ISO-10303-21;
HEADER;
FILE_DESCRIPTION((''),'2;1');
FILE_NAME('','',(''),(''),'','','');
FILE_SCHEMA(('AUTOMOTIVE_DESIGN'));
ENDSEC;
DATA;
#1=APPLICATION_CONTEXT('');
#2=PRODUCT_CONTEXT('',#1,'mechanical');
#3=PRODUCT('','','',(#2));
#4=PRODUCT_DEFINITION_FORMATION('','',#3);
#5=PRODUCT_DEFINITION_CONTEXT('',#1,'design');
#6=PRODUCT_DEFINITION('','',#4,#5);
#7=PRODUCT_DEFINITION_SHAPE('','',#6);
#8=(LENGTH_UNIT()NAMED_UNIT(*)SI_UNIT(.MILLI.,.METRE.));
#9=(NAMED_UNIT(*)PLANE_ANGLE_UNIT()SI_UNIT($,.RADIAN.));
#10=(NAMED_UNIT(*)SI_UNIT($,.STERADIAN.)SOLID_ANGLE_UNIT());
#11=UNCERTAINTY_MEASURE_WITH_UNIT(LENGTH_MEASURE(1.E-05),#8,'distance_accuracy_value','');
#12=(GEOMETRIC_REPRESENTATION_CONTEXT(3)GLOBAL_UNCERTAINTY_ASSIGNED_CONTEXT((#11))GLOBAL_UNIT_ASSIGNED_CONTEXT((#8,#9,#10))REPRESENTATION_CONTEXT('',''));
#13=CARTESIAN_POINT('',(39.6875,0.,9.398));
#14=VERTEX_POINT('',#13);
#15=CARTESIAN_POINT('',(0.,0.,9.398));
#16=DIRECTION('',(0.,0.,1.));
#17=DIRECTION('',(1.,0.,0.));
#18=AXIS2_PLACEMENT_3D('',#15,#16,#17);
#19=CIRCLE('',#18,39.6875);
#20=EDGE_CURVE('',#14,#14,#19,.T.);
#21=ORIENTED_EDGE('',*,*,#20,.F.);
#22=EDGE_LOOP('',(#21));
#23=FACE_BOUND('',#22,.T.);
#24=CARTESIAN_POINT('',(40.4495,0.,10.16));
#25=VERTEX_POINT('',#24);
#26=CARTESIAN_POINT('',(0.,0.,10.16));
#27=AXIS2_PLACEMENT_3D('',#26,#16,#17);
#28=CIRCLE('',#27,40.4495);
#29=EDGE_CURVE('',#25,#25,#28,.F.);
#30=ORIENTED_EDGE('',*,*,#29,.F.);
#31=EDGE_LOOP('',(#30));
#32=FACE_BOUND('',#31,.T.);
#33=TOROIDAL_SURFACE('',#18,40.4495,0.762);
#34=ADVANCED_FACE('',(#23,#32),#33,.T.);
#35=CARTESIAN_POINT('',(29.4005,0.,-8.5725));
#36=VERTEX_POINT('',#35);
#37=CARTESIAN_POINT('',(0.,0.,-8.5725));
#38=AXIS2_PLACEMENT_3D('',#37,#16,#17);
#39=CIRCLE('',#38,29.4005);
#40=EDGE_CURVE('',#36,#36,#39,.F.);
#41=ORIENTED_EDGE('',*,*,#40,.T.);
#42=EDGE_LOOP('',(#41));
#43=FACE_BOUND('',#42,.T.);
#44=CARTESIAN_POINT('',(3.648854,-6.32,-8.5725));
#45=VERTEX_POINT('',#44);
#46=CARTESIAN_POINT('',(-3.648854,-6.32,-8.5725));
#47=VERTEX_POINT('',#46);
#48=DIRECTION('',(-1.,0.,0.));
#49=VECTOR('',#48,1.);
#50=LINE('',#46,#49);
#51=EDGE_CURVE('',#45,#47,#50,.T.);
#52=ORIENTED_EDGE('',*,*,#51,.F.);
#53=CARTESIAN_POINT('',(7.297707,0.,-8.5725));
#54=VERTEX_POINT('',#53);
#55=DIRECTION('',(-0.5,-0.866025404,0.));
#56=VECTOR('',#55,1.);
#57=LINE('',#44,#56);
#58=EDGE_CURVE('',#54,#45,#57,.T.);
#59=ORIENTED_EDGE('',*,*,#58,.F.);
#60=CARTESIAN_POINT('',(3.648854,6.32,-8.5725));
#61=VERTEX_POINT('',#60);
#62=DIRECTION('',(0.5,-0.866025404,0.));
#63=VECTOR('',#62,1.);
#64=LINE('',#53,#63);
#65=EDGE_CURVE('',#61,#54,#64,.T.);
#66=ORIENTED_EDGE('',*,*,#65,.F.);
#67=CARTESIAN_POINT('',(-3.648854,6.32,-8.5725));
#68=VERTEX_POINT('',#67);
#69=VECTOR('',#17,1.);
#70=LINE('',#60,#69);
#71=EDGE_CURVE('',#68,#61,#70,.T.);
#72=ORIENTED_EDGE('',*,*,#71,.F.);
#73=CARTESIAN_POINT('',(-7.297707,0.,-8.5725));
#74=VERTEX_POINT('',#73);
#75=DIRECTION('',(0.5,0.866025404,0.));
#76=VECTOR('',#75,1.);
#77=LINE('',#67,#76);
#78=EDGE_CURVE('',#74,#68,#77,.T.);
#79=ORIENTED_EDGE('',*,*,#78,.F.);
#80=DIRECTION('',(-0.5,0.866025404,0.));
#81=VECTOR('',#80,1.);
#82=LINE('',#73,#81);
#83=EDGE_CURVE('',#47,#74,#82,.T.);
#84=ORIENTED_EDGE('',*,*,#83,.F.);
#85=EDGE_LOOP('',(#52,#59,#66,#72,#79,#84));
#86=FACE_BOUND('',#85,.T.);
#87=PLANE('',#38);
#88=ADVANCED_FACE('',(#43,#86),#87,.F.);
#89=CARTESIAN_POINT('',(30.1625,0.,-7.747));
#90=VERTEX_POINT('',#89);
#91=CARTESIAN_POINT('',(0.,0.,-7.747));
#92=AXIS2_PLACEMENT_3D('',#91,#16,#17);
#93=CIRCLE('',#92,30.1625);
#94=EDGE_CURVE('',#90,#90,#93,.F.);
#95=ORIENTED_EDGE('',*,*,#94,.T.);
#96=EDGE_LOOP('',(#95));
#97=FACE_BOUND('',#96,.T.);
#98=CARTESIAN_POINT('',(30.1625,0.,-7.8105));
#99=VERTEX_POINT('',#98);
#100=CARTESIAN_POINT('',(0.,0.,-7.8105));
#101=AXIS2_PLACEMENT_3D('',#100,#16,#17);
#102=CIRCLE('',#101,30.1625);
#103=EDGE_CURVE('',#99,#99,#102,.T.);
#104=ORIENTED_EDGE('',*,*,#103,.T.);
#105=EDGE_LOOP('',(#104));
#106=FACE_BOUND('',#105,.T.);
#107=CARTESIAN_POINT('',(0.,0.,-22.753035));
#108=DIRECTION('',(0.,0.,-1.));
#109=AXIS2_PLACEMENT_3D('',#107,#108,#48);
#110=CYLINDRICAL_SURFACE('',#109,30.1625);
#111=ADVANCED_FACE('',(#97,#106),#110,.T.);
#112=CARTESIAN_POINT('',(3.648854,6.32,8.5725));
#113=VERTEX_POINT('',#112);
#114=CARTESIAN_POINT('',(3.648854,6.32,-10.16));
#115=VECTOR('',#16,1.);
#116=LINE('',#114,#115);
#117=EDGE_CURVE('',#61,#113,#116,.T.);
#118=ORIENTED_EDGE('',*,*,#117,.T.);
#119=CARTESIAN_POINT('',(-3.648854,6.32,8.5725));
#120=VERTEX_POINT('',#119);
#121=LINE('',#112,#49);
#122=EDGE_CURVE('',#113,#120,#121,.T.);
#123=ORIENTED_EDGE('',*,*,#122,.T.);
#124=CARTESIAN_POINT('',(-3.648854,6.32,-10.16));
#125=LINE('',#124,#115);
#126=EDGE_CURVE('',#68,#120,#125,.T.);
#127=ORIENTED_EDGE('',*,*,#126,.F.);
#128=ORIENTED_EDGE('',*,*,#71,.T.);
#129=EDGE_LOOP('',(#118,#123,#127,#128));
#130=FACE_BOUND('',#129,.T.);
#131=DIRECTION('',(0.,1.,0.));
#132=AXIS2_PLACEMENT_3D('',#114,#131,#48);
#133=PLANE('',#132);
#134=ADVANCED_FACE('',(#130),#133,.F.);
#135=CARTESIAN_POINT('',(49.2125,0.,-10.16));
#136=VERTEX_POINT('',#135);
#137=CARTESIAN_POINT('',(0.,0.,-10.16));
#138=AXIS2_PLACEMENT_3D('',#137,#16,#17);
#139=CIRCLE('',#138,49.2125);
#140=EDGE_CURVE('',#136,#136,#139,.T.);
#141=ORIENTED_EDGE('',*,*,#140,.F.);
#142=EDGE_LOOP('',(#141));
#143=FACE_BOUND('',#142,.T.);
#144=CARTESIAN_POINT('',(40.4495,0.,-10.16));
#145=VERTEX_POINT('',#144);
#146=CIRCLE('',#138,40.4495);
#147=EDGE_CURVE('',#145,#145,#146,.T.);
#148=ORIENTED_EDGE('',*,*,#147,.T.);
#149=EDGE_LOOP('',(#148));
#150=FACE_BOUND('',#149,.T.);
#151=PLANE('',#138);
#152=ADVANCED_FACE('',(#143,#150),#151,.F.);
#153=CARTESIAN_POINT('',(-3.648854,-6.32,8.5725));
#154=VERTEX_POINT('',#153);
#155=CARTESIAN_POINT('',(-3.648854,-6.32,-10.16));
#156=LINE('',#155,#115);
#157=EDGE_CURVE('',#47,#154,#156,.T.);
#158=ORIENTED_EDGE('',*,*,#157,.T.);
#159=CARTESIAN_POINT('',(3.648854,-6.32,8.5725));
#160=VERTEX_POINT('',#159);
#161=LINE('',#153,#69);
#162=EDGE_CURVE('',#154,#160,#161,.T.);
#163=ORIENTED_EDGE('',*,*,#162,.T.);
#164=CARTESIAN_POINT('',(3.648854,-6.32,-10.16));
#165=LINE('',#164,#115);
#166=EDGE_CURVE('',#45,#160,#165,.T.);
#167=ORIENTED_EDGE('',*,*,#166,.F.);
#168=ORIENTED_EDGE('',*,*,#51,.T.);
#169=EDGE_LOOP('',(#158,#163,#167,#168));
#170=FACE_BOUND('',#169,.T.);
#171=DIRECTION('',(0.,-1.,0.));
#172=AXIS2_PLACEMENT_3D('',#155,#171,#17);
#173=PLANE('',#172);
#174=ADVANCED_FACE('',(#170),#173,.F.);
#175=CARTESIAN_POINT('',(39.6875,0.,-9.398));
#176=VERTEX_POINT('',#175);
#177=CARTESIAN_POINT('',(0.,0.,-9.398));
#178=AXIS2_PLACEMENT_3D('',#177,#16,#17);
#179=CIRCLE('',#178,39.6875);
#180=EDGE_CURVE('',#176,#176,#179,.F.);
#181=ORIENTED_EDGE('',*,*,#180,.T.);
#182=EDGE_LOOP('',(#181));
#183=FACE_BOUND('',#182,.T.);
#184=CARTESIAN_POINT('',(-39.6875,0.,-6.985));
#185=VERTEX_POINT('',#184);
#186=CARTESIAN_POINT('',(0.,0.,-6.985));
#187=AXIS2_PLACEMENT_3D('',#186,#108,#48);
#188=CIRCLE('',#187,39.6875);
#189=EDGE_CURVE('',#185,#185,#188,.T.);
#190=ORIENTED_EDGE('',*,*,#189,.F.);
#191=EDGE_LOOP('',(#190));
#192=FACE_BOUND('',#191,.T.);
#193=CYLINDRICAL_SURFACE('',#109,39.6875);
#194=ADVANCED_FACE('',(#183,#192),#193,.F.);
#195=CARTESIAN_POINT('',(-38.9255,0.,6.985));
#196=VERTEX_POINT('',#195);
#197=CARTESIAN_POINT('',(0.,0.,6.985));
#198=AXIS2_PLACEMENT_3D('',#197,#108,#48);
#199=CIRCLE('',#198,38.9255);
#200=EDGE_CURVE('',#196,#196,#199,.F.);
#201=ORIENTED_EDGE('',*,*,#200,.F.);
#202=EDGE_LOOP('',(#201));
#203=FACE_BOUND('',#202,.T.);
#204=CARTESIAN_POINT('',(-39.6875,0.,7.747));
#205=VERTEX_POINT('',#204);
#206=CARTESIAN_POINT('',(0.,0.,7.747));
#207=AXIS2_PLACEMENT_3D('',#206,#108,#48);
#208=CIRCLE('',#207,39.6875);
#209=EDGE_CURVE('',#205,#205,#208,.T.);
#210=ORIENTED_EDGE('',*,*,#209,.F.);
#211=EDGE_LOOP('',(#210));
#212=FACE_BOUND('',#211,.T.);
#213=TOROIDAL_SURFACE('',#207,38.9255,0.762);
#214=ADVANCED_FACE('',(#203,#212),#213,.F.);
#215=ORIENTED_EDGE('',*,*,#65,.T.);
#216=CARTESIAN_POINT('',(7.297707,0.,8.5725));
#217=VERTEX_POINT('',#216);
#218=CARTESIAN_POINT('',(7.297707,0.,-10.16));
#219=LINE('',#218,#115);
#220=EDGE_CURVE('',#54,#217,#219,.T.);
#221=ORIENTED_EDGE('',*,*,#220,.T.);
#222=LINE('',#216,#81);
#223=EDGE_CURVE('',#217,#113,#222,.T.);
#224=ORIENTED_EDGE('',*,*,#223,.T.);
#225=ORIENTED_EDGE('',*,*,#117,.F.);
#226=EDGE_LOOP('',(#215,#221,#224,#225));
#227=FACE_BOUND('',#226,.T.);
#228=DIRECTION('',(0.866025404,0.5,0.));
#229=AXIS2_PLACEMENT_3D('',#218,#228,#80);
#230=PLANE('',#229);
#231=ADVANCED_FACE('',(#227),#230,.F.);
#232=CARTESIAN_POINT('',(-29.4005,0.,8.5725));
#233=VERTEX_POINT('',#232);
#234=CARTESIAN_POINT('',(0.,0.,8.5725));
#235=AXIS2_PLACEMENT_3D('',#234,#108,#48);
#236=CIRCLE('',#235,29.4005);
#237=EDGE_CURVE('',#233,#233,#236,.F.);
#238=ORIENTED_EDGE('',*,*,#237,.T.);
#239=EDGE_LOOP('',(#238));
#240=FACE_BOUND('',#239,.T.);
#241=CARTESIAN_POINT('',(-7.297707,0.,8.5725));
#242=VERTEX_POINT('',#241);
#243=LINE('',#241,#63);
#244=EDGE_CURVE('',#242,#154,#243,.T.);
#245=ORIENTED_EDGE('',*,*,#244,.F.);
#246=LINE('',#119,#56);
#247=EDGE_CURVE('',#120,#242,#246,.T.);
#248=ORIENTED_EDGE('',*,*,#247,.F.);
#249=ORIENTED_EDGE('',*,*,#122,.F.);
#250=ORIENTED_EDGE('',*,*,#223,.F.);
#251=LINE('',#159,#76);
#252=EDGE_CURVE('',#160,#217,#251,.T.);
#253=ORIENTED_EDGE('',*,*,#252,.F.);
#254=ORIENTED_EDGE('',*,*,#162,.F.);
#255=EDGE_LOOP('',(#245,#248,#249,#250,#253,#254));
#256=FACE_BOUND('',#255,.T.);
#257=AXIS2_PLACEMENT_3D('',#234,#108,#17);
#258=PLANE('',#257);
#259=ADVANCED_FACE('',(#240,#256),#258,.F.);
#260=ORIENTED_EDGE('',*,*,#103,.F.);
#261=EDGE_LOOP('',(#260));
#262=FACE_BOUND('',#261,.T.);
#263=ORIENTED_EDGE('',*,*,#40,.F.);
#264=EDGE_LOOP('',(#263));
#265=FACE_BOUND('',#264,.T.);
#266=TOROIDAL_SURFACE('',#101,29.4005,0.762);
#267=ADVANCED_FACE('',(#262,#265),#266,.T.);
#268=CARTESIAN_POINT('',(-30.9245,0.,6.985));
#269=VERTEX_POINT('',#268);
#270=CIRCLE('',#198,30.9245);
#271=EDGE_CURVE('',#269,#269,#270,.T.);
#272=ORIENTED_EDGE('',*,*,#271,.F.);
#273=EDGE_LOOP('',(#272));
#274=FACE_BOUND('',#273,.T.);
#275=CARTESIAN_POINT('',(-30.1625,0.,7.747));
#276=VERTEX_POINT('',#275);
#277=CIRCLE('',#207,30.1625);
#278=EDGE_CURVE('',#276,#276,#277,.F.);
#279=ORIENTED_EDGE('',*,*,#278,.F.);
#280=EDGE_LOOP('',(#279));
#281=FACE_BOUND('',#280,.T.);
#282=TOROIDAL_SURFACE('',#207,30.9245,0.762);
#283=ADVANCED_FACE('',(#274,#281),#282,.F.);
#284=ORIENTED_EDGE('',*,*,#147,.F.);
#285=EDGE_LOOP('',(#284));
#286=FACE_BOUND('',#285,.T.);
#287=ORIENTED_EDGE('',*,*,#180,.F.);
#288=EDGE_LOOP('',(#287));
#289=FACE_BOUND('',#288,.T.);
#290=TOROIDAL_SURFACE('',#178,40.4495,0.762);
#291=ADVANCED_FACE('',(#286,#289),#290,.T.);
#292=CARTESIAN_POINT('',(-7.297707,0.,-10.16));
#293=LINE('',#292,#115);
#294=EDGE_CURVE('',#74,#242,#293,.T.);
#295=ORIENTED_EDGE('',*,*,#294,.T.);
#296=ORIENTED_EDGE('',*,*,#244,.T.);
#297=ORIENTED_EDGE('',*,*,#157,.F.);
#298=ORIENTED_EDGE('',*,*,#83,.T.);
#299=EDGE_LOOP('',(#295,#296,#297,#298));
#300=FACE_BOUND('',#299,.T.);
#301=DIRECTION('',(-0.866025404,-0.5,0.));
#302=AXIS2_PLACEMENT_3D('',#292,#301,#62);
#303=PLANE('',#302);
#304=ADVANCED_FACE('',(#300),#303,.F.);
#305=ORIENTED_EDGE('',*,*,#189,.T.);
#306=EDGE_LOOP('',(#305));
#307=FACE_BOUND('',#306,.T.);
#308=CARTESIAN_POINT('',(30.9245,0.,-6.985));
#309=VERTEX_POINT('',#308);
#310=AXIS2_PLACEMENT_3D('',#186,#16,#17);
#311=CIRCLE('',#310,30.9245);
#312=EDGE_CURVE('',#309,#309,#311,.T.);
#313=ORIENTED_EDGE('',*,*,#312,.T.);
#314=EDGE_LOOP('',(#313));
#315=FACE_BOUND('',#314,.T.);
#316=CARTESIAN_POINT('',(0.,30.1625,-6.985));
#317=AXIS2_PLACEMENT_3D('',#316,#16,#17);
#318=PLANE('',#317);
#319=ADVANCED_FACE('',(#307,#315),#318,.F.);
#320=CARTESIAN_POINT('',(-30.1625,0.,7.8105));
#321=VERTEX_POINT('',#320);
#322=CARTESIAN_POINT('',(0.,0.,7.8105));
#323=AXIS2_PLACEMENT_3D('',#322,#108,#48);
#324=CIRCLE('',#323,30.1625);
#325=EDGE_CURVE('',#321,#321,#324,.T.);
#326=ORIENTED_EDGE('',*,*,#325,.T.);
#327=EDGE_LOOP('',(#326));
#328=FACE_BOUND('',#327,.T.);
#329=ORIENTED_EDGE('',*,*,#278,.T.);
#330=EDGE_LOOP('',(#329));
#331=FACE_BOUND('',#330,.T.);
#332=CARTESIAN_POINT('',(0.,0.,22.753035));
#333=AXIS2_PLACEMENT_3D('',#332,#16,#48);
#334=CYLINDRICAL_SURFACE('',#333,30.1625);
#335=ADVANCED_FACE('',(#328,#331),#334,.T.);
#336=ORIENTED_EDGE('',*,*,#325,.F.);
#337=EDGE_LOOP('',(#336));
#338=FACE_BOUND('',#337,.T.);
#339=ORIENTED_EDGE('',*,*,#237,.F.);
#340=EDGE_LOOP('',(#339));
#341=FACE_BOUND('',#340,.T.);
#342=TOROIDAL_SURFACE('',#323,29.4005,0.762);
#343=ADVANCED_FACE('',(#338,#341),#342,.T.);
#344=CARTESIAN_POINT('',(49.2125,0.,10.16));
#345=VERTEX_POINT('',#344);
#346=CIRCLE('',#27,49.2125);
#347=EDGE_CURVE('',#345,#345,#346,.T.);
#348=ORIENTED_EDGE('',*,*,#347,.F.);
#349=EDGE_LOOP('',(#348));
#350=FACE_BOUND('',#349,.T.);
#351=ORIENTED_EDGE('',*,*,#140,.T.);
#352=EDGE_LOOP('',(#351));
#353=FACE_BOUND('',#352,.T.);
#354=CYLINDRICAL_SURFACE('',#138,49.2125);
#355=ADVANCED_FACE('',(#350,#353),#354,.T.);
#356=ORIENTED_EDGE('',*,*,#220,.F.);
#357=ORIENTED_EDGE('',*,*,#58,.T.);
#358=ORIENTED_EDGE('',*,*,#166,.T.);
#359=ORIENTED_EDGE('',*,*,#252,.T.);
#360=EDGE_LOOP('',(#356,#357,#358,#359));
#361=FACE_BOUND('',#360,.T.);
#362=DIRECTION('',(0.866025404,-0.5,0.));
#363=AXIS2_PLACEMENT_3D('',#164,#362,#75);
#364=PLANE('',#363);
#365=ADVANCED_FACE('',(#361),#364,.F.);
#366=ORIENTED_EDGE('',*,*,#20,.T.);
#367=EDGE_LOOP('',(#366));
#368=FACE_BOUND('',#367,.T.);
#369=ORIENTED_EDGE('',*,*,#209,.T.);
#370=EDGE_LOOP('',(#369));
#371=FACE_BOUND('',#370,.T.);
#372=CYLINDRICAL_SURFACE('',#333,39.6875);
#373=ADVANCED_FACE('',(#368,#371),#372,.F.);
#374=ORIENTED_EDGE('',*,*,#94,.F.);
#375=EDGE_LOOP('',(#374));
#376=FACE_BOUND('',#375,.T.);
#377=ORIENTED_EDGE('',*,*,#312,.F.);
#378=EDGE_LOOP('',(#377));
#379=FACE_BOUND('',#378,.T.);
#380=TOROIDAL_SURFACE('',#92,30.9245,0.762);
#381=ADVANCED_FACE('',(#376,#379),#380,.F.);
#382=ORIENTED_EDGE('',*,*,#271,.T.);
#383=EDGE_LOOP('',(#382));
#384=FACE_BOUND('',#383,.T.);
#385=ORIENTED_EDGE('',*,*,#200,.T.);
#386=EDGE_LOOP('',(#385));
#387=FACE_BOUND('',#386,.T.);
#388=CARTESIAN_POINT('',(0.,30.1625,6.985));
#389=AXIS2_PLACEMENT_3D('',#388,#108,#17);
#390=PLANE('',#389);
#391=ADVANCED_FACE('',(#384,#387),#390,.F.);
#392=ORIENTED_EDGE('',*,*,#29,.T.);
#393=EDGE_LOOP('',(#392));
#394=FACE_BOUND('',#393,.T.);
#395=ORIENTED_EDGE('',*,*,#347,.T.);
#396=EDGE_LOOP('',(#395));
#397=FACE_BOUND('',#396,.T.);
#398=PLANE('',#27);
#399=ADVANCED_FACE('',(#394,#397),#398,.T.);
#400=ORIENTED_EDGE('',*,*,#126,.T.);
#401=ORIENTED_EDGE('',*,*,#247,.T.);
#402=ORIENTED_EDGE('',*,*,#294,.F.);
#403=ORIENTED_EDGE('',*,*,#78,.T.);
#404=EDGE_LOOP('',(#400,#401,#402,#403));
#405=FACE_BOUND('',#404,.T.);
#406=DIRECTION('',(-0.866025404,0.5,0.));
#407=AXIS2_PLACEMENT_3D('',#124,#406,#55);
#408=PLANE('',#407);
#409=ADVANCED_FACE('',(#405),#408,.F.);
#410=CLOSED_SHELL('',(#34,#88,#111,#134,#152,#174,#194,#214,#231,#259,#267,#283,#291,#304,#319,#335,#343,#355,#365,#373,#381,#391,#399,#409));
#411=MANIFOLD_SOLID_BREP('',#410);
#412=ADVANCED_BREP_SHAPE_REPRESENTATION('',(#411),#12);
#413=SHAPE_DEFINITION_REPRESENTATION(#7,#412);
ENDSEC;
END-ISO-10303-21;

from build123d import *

# Parameters (mm, degrees)
BOSS_EXTRUDE1_DEPTH      = 10.16
BOSS_EXTRUDE1_DEPTH_BACK = 10.16
SKETCH1_R                = 49.2125
CUT_EXTRUDE1_DEPTH       = 73.502708311
FILLET1_R                = 0.762
FILLET2_R                = 0.762


with BuildPart() as part:
    # Sketch1 → Boss-Extrude1 (new, two sides: drawn at the far end of the back side and taken through both)
    with BuildSketch(Plane.XY.offset(-BOSS_EXTRUDE1_DEPTH_BACK)):
        Circle(SKETCH1_R)
    extrude(amount=BOSS_EXTRUDE1_DEPTH + BOSS_EXTRUDE1_DEPTH_BACK)

    # Sketch2 → Cut-Extrude1 (cut, through all)
    with BuildSketch(Plane.XY.offset(10.16)):
        Polygon((3.648853701, 6.32), (-3.648853701, 6.32), (-7.297707403, 0), (-3.648853701, -6.32), (3.648853701, -6.32), (7.297707403, 0), align=None)
    extrude(amount=-CUT_EXTRUDE1_DEPTH, mode=Mode.SUBTRACT)

    # Sketch3 → Cut-Revolve1 (revolve, cut)
    with BuildSketch(Plane(origin=(0, 0, 0), x_dir=(0, 0, -1), z_dir=(1, 0, 0))):
        Polygon((8.5725, 30.1625), (6.985, 30.1625), (6.985, 39.6875), (10.16, 39.6875), (10.16, 0), (8.5725, 0), align=None)
    cut_revolve1 = revolve(axis=Axis((0, 0, -22.753035396), (0, 0, 1)), mode=Mode.SUBTRACT)

    # Fillet1
    fillet1_edges = [part.edges().sort_by_distance(p)[0] for p in [
        (0, -30.1625, -6.985),
        (0, -39.6875, -10.16),
        (0, -30.1625, -8.5725),
    ]]
    fillet(fillet1_edges, radius=FILLET1_R)

    # Mirror1: Cut-Revolve1 across plane
    add(cut_revolve1.mirror(Plane.XY), mode=Mode.SUBTRACT)

    # Fillet2
    fillet2_edges = [part.edges().sort_by_distance(p)[0] for p in [
        (0, -39.6875, 10.16),
        (0, -39.6875, 6.985),
        (0, -30.1625, 6.985),
        (0, -30.1625, 8.5725),
    ]]
    fillet(fillet2_edges, radius=FILLET2_R)


solid = part.part
